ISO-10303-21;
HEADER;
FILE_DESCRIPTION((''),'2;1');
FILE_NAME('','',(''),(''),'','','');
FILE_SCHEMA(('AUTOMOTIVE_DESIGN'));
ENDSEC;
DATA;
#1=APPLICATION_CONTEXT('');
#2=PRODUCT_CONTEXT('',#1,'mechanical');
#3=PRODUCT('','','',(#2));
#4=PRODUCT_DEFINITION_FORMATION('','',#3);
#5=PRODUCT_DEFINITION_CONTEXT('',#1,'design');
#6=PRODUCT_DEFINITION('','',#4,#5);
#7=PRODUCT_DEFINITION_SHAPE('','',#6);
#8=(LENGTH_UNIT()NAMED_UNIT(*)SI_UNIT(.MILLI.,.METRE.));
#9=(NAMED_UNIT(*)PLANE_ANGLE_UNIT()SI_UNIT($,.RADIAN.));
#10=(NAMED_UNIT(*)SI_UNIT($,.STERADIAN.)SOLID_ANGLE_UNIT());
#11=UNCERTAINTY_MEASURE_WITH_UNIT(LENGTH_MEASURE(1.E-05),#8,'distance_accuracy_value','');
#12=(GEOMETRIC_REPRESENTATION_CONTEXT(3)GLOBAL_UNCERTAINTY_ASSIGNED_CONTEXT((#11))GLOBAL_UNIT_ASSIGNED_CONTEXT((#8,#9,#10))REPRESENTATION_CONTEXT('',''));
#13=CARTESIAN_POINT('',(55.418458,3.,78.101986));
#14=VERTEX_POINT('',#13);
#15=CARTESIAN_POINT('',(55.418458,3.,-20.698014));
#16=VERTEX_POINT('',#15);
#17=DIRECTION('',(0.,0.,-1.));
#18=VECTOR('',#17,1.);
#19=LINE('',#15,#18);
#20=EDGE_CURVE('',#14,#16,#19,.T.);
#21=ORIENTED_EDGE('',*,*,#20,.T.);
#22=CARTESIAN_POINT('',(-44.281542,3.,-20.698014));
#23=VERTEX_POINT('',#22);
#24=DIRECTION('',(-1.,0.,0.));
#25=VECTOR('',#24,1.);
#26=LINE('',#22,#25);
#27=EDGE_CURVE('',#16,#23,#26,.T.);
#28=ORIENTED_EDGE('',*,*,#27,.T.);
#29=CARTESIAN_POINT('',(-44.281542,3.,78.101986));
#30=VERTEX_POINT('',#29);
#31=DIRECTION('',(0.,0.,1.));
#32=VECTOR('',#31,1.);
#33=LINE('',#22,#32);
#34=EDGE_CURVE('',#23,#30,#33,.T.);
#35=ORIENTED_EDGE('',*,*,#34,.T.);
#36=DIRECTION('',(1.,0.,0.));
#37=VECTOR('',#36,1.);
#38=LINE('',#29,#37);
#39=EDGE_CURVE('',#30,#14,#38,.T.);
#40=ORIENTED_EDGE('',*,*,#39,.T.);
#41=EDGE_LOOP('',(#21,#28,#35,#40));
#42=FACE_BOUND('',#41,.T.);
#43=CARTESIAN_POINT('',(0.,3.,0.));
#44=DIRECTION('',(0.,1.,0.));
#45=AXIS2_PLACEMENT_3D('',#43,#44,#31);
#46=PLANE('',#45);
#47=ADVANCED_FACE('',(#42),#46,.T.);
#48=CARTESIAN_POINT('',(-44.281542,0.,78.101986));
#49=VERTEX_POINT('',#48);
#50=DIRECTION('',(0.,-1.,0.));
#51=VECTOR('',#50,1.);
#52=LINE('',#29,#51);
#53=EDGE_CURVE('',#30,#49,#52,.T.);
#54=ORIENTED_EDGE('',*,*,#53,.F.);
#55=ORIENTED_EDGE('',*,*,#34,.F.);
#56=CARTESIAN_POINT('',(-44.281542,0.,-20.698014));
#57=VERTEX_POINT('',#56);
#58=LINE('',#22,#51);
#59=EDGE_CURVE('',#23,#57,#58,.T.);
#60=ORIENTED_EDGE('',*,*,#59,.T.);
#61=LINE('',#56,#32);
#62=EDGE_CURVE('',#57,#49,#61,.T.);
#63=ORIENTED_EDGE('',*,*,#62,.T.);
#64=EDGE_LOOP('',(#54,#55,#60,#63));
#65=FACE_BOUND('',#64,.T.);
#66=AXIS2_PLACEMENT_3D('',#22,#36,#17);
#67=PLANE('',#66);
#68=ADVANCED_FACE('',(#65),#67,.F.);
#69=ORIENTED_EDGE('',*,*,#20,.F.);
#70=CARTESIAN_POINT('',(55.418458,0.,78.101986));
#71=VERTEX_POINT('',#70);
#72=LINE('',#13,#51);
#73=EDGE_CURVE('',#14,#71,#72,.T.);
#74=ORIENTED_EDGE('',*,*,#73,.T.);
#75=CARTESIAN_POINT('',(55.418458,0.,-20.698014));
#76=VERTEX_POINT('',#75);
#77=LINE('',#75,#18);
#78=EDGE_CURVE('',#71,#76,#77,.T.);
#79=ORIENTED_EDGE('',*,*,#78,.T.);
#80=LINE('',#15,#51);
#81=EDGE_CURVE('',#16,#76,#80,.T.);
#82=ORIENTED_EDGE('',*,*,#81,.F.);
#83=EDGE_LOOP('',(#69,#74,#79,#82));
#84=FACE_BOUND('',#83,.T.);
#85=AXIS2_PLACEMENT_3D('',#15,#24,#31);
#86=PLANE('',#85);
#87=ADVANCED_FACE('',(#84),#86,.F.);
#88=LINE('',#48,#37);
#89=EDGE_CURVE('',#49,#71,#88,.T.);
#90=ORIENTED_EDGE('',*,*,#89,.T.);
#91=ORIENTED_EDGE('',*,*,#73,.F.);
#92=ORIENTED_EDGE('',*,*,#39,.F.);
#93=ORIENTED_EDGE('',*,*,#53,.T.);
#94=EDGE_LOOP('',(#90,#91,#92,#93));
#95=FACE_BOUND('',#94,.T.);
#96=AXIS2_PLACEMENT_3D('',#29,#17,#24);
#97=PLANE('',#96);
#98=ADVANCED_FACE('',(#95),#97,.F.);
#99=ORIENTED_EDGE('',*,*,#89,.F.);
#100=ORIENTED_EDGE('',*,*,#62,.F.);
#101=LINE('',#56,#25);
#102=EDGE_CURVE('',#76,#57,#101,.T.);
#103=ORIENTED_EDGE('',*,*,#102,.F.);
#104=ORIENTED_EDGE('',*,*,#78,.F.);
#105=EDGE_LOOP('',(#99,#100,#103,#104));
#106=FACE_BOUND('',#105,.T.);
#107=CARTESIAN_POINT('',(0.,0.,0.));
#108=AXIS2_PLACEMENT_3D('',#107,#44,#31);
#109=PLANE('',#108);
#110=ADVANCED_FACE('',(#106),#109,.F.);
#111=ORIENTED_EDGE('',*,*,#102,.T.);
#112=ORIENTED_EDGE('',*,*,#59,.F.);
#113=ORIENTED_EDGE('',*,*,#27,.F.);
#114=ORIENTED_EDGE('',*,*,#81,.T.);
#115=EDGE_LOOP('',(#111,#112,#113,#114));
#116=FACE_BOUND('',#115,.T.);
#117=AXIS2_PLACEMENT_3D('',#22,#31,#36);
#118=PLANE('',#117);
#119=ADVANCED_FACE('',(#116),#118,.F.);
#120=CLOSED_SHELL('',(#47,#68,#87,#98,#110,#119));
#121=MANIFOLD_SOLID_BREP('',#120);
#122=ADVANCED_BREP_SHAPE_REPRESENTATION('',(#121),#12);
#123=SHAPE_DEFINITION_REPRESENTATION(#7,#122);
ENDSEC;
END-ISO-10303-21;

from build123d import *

# Parameters (mm, degrees)
SKETCH1_W           = 99.7
SKETCH1_H           = 98.8
BOSS_EXTRUDE1_DEPTH = 3


with BuildPart() as part:
    # Sketch1 → Boss-Extrude1 (new body)
    with BuildSketch(Plane(origin=(0, 0, 0), x_dir=(1, 0, 0), z_dir=(0, 1, 0))):
        with Locations((5.568457944, -28.701985981)):
            Rectangle(SKETCH1_W, SKETCH1_H)
    extrude(amount=BOSS_EXTRUDE1_DEPTH)


solid = part.part
